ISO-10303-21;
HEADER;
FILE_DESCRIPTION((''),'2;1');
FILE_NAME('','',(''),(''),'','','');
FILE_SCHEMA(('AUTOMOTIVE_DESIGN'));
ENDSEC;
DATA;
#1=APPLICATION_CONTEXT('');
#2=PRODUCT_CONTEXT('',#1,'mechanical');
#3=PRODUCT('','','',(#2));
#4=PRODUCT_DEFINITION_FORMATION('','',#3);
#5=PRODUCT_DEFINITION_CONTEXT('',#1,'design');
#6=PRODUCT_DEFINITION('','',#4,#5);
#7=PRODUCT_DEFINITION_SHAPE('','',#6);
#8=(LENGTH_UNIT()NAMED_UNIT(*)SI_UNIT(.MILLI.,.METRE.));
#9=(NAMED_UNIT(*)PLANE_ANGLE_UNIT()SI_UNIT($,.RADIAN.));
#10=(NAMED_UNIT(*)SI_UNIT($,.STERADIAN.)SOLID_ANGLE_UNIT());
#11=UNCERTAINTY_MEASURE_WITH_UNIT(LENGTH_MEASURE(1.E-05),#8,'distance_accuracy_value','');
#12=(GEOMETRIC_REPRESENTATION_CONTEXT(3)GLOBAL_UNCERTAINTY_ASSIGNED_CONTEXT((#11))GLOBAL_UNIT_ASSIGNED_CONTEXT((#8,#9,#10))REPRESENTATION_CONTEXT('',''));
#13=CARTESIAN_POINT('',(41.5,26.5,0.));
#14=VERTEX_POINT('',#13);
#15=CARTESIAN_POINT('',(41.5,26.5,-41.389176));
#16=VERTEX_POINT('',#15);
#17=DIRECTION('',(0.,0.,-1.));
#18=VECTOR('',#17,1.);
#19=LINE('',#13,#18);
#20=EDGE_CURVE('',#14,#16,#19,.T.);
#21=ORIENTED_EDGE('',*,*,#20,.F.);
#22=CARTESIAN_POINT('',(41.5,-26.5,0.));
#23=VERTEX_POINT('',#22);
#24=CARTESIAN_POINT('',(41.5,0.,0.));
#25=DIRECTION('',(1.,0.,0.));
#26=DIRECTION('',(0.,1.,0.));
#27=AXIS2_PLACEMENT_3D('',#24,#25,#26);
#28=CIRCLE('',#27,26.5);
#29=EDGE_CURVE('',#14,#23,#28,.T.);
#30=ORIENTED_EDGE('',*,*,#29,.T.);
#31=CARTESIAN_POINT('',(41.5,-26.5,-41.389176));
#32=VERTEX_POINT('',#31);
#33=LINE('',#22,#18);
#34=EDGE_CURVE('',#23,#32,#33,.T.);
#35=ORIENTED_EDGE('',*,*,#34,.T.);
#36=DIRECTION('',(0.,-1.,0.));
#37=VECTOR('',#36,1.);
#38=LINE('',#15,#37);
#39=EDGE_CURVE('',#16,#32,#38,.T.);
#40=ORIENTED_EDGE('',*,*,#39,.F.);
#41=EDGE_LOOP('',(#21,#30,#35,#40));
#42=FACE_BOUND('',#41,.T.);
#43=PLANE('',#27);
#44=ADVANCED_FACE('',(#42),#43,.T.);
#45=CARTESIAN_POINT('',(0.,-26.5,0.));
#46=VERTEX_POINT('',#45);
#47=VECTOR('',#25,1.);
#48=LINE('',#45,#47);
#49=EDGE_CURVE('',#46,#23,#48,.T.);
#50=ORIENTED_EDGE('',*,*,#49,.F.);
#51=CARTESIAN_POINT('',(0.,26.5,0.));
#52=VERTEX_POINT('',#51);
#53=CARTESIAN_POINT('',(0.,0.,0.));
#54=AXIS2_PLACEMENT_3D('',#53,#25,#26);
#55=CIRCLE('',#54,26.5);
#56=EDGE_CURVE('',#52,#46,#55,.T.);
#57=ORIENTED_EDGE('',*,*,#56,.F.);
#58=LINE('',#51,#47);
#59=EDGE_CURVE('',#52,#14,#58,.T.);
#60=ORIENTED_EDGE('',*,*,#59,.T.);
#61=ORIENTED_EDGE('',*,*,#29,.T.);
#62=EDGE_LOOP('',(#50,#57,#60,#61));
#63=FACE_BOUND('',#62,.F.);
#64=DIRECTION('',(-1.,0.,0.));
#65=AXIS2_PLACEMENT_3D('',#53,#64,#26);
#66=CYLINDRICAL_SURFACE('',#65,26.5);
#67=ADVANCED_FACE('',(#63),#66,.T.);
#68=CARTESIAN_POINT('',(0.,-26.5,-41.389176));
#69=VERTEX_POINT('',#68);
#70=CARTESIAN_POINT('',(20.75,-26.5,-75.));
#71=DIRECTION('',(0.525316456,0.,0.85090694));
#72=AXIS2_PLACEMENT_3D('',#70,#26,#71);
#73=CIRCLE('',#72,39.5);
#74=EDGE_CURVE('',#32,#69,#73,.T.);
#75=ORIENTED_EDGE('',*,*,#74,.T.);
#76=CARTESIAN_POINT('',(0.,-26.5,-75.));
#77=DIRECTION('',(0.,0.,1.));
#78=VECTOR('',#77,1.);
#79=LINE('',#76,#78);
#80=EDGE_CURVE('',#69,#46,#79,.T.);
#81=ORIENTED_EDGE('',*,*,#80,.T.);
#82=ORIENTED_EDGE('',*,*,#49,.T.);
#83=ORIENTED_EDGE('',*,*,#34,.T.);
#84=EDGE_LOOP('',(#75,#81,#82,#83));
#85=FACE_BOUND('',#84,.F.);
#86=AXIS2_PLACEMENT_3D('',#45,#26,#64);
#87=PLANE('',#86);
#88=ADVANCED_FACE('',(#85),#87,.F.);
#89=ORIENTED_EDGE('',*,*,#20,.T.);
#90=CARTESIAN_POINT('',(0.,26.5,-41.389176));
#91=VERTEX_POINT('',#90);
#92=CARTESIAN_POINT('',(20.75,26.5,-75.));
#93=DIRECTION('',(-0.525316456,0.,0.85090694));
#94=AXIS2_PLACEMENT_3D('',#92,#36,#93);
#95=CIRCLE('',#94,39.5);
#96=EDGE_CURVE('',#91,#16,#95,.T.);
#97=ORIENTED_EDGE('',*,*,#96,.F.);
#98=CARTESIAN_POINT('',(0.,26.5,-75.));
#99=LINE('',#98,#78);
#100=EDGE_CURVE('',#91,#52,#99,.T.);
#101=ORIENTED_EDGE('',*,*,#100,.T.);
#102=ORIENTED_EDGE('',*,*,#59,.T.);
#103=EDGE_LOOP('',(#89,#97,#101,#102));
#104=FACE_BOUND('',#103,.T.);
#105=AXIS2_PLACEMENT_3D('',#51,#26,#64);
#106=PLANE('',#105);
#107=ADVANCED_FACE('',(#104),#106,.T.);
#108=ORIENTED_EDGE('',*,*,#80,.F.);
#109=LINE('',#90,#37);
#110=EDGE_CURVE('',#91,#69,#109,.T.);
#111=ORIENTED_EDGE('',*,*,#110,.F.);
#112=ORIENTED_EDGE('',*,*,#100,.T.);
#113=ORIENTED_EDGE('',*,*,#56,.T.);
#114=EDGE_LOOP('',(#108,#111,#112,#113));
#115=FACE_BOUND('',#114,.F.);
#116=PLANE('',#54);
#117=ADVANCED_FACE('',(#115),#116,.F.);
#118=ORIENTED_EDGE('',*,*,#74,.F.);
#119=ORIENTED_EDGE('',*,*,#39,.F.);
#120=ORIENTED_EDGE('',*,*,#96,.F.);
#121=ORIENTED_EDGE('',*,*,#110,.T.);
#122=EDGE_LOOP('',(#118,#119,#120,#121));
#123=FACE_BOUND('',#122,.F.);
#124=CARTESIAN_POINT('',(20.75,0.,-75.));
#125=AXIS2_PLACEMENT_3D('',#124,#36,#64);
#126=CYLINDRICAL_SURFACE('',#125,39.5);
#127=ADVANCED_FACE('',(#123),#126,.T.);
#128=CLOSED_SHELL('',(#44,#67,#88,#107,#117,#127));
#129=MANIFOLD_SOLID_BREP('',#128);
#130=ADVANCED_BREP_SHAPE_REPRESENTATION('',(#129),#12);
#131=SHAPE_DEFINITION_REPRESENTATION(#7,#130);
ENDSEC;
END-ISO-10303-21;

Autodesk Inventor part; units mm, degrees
ref_plane "YZ Plane" through (0, 0, 0) normal (1, 0, 0) x (0, 1, 0)
ref_plane "XZ Plane" through (0, 0, 0) normal (0, 1, 0) x (-1, 0, 0)
ref_plane "XY Plane" through (0, 0, 0) normal (0, 0, 1) x (1, 0, 0)
sketch "Sketch1" plane through (0, 0, 0) normal (0, 1, 0) x (-1, 0, 0)
  line L0 (0, 0) -> (-41.5, 0)
  line L1 (-41.5, 0) -> (-41.5, -75)
  line L2 (-41.5, -75) -> (0, -75)
  line L3 (0, -75) -> (0, 0)
  circle A0 centre (-20.75, -75) radius 39.5
  point P0 (-41.5, -41.3892)
  point P1 (0, -41.3892)
  dimension "d0" = 41.5
  dimension "d1" = 79
  dimension "d14" = 75
extrude "Extrusion1" add sketch "Sketch1" along normal mid plane 53
sketch "Sketch2" plane through (0, 0, 0) normal (1, 0, 0) x (0, 1, 0)
  line L0 (-26.5, 0) -> (26.5, 0) projected
  circle A0 centre (0, 0) radius 26.5
extrude "Extrusion2" add sketch "Sketch2" along normal up to surface (41.5 mm away) contours A0 L0 picked at (8.0782, 6.219)
properties part number "thigh_inventor"
